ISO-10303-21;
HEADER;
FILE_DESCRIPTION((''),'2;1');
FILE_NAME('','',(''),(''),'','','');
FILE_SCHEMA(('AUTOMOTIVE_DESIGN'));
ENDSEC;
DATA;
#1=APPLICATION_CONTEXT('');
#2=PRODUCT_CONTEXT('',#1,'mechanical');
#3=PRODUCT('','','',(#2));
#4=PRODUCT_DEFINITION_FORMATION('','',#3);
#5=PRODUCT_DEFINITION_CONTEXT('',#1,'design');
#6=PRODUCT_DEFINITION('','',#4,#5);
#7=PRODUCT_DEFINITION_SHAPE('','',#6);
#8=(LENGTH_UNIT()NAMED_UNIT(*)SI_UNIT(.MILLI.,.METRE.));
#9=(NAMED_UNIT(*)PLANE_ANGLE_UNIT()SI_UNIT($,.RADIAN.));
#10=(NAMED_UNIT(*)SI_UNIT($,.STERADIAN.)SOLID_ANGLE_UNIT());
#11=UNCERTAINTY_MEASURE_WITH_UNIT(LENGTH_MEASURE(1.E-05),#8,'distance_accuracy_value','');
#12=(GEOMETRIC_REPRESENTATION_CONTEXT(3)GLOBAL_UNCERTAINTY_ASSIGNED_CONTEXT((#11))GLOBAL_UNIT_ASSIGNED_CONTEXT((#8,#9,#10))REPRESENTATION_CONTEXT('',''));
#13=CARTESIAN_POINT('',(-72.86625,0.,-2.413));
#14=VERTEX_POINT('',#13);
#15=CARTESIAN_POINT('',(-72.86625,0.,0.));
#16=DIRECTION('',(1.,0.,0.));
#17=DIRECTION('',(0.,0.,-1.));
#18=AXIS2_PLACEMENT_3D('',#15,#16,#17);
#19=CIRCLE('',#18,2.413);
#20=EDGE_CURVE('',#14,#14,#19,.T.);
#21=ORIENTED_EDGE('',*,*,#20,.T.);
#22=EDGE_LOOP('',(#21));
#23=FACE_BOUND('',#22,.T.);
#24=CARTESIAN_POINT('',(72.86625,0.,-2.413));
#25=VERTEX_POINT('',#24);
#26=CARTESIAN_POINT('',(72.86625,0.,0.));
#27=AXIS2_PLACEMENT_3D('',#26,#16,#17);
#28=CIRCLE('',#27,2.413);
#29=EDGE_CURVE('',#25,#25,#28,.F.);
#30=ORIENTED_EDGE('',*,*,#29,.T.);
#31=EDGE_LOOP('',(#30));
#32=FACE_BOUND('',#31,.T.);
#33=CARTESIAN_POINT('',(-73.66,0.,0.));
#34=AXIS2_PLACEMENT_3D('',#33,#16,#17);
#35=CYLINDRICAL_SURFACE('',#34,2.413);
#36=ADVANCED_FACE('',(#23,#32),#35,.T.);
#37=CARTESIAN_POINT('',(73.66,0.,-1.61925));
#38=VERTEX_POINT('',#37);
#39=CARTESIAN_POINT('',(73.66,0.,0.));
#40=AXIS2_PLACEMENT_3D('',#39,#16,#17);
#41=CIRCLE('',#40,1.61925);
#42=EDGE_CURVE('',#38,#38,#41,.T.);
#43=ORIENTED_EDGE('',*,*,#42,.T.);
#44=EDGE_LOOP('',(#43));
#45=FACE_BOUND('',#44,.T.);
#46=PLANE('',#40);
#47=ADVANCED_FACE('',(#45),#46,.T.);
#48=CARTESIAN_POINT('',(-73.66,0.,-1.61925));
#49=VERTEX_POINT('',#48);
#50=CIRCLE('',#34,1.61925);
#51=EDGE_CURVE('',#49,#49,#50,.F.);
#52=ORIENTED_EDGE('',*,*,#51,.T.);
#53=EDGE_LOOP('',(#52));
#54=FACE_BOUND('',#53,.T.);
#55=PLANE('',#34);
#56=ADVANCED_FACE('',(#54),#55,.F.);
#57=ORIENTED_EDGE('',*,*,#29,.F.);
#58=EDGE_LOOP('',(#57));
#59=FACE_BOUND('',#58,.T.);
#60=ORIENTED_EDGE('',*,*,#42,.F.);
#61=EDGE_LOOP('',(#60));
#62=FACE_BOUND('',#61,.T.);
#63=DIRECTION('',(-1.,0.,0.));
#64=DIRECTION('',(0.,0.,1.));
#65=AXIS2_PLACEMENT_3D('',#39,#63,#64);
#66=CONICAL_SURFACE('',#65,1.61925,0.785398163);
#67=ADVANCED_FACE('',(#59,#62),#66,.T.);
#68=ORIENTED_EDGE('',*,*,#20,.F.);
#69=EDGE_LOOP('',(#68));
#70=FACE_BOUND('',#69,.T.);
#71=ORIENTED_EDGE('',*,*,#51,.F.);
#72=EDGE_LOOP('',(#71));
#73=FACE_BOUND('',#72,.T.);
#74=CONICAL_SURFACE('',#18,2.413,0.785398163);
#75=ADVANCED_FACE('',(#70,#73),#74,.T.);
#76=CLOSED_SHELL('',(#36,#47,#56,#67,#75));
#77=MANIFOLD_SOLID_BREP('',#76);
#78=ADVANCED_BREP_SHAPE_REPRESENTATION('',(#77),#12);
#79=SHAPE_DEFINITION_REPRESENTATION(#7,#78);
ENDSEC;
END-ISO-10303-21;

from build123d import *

# Parameters (mm, degrees)
SKETCH2_R                = 2.413
BOSS_EXTRUDE1_DEPTH      = 73.66
BOSS_EXTRUDE1_DEPTH_BACK = 73.66
CHAMFER1_SIZE            = 0.79375


with BuildPart() as part:
    # Sketch2 → Boss-Extrude1 (new body, two sides)
    with BuildSketch(Plane(origin=(0, 0, 0), x_dir=(0, 0, -1), z_dir=(1, 0, 0))) as boss_extrude1_sk:
        Circle(SKETCH2_R)
    extrude(amount=BOSS_EXTRUDE1_DEPTH)
    extrude(boss_extrude1_sk.sketch, amount=-BOSS_EXTRUDE1_DEPTH_BACK)

    # Chamfer1
    chamfer1_edges = [part.edges().sort_by_distance(p)[0] for p in [
        (-73.66, 0, 2.413),
        (73.66, 0, 2.413),
    ]]
    chamfer(chamfer1_edges, length=CHAMFER1_SIZE)


solid = part.part
